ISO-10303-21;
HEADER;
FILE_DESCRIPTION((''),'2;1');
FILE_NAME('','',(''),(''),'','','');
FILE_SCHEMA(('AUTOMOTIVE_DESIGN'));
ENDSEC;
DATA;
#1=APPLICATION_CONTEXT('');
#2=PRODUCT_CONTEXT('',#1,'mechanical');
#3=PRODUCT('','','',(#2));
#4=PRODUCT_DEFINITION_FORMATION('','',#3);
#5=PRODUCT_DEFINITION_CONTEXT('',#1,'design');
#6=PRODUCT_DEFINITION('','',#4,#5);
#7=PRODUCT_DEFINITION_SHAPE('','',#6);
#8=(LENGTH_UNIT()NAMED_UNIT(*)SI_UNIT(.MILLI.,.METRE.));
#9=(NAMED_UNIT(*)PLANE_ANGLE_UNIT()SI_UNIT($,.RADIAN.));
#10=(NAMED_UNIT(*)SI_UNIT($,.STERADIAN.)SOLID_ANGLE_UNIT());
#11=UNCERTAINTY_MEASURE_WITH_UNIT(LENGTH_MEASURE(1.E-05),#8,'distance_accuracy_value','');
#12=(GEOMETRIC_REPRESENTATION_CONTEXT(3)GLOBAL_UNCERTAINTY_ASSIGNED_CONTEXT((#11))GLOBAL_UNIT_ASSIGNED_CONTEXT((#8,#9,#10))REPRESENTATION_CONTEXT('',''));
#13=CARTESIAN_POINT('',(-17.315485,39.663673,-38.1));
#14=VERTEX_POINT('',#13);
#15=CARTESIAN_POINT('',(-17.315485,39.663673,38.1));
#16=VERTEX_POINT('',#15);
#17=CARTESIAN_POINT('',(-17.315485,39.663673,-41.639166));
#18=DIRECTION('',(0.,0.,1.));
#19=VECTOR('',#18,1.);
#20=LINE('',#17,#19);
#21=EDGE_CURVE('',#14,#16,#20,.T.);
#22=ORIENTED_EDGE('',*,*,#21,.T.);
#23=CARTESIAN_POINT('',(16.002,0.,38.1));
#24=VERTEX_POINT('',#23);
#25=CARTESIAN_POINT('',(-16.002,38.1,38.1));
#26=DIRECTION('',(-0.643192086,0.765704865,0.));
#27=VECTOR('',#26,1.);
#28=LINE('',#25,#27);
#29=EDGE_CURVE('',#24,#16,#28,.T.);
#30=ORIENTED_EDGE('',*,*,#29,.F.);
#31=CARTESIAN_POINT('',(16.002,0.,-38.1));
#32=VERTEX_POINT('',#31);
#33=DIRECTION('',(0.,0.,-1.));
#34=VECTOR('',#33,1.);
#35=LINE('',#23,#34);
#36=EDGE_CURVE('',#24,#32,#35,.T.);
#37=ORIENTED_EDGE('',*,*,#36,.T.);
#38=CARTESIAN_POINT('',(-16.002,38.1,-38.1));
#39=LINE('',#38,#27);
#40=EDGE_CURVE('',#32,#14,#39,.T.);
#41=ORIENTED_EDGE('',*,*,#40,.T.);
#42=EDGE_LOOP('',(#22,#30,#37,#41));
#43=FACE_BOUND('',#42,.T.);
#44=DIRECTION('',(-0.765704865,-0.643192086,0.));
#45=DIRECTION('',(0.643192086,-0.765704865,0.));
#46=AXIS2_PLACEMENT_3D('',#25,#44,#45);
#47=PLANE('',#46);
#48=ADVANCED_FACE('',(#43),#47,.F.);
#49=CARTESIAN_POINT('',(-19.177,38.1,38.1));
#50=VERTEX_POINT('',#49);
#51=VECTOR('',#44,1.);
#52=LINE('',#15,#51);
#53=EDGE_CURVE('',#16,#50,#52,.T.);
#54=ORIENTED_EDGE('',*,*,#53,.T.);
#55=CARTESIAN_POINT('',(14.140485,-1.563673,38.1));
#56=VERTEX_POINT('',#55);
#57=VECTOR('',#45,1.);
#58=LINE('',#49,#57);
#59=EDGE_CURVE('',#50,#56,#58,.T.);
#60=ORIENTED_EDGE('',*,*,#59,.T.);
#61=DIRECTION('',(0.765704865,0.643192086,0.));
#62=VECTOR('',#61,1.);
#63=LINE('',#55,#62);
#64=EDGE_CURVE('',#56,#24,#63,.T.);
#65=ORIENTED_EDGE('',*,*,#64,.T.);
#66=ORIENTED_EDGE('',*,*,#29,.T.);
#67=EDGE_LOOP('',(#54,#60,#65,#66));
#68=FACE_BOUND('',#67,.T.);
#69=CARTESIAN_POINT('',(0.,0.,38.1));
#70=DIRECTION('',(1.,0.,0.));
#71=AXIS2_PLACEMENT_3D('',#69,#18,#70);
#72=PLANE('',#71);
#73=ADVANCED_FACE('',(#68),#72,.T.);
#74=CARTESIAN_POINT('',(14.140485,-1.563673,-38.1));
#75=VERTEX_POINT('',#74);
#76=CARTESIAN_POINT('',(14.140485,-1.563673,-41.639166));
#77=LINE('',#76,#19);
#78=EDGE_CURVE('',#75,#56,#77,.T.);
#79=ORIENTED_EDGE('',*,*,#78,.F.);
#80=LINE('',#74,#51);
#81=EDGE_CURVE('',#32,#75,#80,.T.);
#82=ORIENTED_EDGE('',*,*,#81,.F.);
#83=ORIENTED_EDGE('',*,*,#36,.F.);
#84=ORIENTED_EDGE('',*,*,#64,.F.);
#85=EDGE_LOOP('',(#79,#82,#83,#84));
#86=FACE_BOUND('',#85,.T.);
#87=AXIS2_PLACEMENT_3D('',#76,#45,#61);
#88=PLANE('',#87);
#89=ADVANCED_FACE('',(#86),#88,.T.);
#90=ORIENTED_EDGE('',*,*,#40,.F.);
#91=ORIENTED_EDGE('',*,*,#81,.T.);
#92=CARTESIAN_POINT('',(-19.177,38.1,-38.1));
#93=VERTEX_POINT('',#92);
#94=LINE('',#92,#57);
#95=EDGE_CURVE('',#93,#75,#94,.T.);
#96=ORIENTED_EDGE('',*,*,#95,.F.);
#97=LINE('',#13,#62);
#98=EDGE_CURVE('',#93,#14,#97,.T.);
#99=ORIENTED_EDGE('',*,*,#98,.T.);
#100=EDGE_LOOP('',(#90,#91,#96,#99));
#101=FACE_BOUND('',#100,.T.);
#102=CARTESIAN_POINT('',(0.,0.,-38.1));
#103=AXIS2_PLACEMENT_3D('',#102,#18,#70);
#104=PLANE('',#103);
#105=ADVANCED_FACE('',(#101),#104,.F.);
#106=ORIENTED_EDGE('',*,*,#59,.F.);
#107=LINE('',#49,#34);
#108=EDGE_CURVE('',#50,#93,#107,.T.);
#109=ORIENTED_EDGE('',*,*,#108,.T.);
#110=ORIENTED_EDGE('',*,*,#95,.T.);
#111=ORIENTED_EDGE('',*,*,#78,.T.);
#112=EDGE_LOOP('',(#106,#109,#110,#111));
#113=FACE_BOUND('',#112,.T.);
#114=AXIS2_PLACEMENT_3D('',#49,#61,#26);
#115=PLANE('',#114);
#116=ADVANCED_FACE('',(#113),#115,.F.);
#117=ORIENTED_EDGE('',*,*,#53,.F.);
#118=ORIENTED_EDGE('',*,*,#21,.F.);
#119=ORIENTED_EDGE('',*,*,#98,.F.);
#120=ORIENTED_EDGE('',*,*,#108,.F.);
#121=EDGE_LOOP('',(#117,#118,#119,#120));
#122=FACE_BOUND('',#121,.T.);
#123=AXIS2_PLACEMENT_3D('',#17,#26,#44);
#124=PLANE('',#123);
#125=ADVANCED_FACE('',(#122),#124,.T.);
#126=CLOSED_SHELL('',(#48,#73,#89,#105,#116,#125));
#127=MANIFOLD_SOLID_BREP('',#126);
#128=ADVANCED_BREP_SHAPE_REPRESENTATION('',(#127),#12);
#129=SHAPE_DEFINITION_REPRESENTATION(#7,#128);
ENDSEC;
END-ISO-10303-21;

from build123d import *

# Parameters (mm, degrees)
BOSS_EXTRUDE1_DEPTH = 38.1
BOSS_EXTRUDE2_DEPTH = 76.2


with BuildPart() as part:
    # Sketch1 → Boss-Extrude1 (new, symmetric)
    with BuildSketch(Plane.XY):
        Polygon((-16.002, 38.1), (16.002, 0), (12.827, 0), (-19.177, 38.1), align=None)
    extrude(amount=BOSS_EXTRUDE1_DEPTH, both=True)

    # Sketch2 → Boss-Extrude2 (add)
    with BuildSketch(Plane.XY.offset(38.1)):
        Polygon((12.827, 0), (14.140484991, -1.563672608), (16.002, 0), align=None)
        Polygon((-16.002, 38.1), (-17.315484991, 39.663672608), (-19.177, 38.1), align=None)
    extrude(amount=-BOSS_EXTRUDE2_DEPTH)


solid = part.part
